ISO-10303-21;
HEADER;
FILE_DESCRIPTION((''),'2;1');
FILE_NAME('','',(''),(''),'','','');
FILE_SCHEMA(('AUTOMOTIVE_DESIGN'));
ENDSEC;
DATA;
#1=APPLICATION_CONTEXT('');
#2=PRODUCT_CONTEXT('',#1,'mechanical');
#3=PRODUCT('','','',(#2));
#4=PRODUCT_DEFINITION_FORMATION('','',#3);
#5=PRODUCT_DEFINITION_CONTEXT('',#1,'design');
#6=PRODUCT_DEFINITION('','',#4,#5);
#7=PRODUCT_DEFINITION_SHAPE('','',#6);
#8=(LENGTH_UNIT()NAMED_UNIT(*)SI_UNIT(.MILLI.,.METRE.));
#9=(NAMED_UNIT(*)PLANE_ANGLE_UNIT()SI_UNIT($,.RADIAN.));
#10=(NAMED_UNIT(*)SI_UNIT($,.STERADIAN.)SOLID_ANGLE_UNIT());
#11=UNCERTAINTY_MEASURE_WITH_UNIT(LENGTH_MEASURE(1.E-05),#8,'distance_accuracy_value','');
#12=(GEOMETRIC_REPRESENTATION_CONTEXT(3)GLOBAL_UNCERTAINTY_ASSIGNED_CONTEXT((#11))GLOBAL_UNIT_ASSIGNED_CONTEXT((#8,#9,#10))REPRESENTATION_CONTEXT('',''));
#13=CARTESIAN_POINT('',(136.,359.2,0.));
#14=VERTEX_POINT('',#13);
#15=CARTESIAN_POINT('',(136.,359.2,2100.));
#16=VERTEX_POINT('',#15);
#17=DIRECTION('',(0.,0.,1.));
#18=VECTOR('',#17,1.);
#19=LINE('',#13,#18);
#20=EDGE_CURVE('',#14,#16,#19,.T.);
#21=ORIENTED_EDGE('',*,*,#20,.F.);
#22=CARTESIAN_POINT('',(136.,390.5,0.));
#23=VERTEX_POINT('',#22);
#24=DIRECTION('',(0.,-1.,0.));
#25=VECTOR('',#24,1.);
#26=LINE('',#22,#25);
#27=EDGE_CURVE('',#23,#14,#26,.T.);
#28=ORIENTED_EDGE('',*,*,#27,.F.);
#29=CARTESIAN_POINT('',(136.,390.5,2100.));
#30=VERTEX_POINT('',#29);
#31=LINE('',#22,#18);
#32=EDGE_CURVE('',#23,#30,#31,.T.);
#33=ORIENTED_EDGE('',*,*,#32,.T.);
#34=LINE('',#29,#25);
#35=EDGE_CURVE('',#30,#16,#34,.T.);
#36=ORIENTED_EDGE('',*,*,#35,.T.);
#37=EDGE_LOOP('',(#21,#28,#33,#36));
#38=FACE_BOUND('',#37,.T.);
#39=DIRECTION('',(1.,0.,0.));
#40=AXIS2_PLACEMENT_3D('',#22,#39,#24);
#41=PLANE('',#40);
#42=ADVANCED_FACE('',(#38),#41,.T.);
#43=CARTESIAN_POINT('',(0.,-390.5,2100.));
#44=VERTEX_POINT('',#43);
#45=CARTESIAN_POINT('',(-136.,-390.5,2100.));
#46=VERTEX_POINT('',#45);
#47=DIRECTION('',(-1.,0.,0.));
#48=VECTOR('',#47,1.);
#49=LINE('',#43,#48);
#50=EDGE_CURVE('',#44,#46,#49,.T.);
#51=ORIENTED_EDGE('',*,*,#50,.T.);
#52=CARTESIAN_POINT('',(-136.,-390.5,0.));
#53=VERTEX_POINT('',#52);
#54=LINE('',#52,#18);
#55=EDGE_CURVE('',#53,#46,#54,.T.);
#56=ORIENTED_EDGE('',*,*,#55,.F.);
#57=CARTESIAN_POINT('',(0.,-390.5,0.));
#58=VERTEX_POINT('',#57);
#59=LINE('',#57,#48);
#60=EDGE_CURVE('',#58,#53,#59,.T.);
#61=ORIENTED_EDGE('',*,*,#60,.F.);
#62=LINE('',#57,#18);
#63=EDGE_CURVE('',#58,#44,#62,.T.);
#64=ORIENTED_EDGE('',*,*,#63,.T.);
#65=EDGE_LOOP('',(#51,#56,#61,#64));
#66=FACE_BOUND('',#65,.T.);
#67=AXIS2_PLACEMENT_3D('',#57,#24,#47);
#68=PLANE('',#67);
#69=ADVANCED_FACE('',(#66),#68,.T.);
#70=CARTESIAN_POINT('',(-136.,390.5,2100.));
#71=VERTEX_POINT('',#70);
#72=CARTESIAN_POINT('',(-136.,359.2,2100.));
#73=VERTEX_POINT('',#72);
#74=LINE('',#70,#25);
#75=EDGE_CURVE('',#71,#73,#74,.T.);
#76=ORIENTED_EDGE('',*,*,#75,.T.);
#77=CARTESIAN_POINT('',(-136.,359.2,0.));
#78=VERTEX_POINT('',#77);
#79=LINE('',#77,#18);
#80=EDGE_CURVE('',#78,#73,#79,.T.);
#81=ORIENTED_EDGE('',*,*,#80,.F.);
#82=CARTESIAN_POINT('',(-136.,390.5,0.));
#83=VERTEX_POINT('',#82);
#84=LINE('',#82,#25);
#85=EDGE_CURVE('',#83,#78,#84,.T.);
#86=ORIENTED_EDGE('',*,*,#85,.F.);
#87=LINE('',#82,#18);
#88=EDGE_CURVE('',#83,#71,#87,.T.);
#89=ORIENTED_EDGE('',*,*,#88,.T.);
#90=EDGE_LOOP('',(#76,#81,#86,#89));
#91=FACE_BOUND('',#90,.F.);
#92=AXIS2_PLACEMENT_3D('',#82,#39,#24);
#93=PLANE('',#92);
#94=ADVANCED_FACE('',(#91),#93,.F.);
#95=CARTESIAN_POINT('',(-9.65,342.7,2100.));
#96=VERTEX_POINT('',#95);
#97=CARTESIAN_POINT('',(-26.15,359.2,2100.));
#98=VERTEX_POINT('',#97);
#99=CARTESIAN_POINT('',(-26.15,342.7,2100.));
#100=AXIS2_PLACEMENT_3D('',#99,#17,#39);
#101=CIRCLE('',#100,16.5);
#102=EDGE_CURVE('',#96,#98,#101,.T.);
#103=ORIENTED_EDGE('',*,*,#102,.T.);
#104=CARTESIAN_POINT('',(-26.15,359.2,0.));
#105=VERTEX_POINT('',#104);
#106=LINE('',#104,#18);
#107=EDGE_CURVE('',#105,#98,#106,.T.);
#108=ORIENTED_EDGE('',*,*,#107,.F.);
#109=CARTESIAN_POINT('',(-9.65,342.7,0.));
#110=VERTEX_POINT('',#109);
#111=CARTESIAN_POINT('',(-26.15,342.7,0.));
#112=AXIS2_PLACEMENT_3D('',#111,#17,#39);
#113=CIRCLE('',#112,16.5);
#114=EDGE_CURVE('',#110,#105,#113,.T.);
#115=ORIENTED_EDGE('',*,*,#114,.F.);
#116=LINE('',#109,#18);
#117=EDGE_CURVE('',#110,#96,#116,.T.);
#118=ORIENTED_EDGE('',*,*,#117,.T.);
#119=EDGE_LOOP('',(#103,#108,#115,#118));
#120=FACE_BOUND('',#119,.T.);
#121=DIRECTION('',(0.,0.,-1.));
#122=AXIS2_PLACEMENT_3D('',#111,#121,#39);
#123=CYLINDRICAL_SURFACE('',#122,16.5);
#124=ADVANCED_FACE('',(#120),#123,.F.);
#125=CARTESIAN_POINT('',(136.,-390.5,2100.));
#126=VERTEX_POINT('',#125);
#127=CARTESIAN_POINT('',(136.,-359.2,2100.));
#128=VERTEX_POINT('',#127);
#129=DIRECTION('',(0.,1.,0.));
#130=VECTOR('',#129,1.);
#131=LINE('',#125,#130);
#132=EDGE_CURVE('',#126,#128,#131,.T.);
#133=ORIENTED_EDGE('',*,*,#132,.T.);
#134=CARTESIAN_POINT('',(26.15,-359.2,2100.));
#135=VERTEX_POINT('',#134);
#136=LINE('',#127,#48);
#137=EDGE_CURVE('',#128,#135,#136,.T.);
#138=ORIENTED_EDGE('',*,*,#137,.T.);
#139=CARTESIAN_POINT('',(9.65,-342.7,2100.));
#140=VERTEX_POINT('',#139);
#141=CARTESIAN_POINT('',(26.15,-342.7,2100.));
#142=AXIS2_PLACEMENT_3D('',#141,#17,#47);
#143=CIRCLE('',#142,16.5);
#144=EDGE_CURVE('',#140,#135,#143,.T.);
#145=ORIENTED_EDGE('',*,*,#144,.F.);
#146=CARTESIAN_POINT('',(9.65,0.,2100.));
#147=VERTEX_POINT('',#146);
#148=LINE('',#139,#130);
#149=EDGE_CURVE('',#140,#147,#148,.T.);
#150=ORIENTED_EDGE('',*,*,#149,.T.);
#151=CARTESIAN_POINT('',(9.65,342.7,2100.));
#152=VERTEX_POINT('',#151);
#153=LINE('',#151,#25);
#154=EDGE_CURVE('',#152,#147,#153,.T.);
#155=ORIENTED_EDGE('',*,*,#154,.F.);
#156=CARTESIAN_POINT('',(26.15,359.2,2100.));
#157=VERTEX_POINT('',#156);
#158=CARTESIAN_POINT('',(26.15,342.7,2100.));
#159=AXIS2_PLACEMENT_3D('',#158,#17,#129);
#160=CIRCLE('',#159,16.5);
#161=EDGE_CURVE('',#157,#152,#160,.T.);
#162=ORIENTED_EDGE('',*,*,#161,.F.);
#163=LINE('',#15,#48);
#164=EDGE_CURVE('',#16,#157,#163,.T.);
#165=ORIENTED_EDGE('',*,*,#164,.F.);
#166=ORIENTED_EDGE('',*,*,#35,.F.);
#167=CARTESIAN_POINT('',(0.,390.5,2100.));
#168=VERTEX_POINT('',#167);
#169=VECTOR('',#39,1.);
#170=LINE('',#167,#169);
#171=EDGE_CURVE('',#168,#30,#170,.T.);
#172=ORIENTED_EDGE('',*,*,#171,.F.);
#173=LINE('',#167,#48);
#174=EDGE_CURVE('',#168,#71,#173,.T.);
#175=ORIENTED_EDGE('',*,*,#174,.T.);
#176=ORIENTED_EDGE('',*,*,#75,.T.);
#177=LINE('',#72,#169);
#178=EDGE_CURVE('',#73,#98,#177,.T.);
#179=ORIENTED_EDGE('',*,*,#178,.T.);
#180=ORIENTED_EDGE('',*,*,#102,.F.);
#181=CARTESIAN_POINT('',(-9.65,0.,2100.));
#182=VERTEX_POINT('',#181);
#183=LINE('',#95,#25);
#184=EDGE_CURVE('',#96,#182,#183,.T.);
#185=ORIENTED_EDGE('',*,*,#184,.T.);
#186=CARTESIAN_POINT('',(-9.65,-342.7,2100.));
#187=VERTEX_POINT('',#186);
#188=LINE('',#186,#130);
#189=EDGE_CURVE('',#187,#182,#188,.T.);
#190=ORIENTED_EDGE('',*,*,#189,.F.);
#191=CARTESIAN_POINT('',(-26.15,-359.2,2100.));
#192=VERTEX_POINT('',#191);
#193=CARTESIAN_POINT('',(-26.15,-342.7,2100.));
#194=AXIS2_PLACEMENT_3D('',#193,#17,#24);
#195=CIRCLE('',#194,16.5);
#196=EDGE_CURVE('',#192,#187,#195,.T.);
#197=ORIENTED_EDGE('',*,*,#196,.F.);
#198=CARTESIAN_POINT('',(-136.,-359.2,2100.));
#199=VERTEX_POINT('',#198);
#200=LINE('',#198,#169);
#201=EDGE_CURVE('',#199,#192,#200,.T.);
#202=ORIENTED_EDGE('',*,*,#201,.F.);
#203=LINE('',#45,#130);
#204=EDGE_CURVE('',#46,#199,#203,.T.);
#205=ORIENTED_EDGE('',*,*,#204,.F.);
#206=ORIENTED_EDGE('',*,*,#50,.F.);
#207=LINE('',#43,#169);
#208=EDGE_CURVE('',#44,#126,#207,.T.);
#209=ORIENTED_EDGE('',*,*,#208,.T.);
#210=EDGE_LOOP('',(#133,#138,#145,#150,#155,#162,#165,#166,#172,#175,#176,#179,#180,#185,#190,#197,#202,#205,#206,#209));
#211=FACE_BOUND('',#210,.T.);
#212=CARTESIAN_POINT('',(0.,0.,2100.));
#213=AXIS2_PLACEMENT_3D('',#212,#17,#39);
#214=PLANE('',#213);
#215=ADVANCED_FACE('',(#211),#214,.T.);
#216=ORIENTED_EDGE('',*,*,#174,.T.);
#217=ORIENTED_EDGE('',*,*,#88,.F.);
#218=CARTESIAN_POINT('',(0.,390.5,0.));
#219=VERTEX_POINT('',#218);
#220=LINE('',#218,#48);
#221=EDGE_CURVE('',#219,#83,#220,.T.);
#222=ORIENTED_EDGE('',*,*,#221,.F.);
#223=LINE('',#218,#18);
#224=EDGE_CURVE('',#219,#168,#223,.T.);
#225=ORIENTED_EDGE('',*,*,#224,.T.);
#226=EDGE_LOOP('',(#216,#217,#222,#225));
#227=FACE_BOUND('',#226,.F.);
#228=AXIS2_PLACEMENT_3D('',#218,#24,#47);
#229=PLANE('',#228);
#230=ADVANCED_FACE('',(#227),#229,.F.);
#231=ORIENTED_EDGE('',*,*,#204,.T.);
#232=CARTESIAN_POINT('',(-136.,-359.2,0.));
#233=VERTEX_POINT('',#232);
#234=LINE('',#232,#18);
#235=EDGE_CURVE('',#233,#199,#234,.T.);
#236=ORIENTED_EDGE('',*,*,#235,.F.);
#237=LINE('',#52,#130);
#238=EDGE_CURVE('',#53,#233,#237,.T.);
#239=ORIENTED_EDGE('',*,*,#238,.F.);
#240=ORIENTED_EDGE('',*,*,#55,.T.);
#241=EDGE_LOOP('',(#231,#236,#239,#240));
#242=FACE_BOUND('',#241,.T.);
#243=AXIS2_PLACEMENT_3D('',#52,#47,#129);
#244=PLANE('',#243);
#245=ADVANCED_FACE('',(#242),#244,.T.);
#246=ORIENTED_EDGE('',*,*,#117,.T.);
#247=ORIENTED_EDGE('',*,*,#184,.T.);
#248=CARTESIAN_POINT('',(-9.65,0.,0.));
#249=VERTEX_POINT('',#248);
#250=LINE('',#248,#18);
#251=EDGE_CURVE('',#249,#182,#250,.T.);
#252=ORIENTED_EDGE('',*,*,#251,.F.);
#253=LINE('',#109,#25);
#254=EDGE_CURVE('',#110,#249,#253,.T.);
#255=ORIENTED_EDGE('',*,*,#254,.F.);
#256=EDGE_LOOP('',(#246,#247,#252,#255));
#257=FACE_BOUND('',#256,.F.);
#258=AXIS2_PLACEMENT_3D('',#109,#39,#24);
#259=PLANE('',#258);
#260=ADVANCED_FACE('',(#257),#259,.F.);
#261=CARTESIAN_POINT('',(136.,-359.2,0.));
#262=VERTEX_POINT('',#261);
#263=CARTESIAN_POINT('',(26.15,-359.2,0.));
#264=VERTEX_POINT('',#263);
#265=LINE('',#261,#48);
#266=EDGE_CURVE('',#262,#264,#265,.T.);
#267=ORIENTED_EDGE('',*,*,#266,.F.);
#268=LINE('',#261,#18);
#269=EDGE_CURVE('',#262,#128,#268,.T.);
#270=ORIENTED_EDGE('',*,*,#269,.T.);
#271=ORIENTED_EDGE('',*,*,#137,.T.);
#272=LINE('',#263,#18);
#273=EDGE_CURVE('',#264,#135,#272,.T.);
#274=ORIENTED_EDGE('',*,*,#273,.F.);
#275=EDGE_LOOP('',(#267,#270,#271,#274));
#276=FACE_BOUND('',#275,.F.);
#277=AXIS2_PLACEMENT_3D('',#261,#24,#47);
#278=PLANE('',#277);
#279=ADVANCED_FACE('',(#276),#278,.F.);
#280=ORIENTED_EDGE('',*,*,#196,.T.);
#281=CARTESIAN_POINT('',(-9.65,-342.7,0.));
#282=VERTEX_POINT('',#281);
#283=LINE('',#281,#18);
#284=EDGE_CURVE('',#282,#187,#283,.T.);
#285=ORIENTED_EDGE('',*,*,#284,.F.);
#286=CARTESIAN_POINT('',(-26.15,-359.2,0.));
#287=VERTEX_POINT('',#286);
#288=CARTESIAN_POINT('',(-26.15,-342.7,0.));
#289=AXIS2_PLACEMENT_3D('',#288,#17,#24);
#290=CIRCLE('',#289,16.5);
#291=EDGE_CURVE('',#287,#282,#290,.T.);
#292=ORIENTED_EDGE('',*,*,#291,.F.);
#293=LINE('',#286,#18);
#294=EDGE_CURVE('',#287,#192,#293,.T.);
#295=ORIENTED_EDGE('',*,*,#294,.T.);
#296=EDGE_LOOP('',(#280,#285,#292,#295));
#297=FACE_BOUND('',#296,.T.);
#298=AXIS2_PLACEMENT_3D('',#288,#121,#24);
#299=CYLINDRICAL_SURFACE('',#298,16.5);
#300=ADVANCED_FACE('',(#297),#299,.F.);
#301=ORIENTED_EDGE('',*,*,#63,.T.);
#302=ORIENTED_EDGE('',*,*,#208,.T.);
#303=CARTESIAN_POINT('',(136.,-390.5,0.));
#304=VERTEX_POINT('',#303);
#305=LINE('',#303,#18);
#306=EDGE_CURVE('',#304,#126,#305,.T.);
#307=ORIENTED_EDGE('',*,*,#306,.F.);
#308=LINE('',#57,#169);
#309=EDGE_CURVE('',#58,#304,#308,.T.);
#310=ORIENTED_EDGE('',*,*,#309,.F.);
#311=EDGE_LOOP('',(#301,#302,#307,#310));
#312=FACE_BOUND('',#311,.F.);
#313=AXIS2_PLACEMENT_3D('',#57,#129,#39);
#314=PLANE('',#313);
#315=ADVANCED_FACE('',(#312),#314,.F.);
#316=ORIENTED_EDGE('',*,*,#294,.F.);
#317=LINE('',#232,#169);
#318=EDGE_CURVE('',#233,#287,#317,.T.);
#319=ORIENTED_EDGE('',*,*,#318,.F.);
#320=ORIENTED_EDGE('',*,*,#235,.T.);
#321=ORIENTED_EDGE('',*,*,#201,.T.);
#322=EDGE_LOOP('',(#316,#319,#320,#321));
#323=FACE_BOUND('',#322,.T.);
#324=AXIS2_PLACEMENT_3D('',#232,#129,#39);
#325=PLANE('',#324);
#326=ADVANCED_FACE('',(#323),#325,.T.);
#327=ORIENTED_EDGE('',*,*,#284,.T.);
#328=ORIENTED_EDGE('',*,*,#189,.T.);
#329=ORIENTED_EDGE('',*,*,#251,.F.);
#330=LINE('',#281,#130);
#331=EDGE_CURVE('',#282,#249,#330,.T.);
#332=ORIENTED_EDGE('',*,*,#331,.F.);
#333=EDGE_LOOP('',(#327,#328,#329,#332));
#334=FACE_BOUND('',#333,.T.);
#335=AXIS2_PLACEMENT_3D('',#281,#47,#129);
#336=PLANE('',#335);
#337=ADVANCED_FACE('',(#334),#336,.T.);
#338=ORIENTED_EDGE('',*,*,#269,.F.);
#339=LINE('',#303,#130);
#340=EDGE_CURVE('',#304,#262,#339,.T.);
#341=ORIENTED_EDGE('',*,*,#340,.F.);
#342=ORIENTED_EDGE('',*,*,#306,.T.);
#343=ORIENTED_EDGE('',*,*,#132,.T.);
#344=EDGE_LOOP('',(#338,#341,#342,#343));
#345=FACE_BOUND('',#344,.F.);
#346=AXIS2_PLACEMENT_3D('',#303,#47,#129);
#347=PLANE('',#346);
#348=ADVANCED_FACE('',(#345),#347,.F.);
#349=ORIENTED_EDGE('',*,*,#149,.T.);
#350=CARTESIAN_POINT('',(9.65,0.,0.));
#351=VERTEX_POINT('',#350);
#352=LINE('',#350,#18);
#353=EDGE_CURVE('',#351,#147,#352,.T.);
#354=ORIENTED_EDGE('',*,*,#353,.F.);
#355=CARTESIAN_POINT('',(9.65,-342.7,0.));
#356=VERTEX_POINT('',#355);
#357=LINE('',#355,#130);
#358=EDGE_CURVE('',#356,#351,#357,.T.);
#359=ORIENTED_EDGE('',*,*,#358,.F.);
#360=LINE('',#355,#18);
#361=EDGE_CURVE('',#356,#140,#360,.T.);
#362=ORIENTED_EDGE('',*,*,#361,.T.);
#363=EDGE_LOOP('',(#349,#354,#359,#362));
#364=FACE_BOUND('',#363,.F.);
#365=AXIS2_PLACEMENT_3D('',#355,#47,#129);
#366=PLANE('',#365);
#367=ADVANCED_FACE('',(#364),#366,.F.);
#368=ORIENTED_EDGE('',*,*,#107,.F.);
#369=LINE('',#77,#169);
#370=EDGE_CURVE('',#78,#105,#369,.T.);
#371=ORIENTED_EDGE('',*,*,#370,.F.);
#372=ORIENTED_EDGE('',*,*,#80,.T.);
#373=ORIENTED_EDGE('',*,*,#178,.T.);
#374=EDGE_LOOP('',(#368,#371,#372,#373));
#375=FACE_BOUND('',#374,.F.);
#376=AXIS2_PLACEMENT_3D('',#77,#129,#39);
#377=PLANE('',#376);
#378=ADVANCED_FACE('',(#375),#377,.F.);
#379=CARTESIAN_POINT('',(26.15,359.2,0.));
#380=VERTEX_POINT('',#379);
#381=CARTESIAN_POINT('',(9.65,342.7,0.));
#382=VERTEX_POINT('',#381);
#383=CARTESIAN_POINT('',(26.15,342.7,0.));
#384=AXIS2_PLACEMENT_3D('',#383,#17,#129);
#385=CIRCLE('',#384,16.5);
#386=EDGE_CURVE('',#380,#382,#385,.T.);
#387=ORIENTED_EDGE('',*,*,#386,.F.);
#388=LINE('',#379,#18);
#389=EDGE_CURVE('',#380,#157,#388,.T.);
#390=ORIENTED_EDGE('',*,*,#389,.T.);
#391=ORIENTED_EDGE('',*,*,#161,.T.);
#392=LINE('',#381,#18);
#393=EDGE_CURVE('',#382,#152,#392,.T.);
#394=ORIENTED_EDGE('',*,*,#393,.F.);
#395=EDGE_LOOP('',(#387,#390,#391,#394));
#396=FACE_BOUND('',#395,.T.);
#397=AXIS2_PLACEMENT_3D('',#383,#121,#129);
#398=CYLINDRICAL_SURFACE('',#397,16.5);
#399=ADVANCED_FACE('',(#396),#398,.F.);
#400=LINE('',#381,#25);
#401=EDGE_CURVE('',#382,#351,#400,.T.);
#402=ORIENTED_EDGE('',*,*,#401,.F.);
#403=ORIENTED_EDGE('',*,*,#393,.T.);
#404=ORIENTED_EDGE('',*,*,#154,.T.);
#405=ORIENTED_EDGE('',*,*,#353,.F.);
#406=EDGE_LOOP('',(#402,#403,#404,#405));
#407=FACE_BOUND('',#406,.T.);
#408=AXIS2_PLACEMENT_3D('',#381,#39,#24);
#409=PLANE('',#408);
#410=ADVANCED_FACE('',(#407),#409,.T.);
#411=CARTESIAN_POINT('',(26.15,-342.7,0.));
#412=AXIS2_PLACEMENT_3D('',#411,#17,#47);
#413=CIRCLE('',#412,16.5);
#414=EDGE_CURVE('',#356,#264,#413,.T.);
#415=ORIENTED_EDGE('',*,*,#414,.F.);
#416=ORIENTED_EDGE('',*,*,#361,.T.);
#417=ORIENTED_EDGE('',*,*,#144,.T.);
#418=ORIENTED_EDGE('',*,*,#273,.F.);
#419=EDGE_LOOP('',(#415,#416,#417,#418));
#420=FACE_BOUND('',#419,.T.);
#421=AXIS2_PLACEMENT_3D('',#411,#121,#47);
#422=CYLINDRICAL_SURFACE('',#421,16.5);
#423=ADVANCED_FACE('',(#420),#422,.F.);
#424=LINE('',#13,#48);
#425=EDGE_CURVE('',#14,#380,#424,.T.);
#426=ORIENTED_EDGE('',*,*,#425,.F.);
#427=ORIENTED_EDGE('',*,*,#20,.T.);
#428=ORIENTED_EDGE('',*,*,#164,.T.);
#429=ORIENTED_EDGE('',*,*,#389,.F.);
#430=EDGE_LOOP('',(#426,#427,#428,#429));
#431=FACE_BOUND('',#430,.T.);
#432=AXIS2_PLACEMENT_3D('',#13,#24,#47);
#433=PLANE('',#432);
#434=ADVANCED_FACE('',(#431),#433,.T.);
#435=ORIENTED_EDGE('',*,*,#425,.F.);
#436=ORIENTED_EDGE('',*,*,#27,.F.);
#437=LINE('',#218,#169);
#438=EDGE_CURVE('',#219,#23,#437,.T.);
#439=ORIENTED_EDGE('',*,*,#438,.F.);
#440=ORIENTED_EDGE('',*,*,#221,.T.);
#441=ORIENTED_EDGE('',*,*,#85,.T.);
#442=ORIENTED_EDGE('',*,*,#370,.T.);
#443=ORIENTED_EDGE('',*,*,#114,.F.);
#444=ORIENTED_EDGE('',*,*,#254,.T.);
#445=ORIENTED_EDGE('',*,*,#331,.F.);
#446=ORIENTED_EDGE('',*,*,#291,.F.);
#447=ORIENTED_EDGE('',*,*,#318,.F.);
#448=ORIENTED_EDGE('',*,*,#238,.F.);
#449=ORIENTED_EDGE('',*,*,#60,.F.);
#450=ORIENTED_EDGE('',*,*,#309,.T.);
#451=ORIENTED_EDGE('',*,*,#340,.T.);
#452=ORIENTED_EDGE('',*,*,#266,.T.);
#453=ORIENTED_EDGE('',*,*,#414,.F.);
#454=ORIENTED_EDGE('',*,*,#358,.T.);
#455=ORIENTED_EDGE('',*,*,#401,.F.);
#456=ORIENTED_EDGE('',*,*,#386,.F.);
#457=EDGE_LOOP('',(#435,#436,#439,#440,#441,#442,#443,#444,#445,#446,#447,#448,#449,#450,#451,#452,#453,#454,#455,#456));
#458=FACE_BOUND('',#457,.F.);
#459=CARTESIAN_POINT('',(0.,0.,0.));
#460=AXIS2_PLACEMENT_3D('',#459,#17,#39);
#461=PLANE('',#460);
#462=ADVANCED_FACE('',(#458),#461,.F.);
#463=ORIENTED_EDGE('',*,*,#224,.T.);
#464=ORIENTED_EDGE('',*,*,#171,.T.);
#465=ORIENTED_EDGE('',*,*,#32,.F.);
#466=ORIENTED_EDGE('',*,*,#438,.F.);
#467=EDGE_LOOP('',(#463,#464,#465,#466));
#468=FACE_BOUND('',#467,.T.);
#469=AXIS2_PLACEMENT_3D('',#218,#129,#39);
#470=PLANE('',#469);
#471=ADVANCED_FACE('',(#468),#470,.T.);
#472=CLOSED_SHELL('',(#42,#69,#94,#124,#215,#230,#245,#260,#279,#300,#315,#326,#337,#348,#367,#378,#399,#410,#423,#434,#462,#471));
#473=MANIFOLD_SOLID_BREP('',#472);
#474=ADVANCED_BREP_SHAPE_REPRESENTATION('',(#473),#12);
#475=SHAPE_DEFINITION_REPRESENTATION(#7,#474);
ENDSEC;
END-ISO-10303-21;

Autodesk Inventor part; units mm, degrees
ref_plane "YZ Plane" through (0, 0, 0) normal (1, 0, 0) x (0, 1, 0)
ref_plane "Start plane" through (0, 0, 0) normal (0, 0, 1) x (1, 0, 0)
ref_plane "End plane" through (0, 0, 2100) normal (0, 0, 1) x (1, 0, 0)
sketch "Sketch" plane through (0, 0, 0) normal (0, 0, 1) x (1, 0, 0)
  line L0 (-136, -390.5) -> (-136, -359.2)
  line L1 (-136, -359.2) -> (-26.15, -359.2)
  line L2 (-9.65, -342.7) -> (-9.65, 0)
  line L3 (-9.65, 0) -> (0, 0) construction
  line L4 (0, 0) -> (0, -390.5) construction
  line L5 (0, -390.5) -> (-136, -390.5)
  line L6 (-60, 0) -> (80, 0) construction
  line L7 (0, -60) -> (0, 80) construction
  line L8 (136, -390.5) -> (136, -359.2)
  line L9 (136, -359.2) -> (26.15, -359.2)
  line L10 (9.65, -342.7) -> (9.65, 0)
  line L11 (9.65, 0) -> (0, 0) construction
  line L12 (0, -390.5) -> (136, -390.5)
  line L13 (-136, 390.5) -> (-136, 359.2)
  line L14 (-136, 359.2) -> (-26.15, 359.2)
  line L15 (-9.65, 342.7) -> (-9.65, 0)
  line L16 (0, 390.5) -> (-136, 390.5)
  line L17 (136, 390.5) -> (136, 359.2)
  line L18 (136, 359.2) -> (26.15, 359.2)
  line L19 (0, 390.5) -> (136, 390.5)
  line L20 (9.65, 342.7) -> (9.65, 0)
  arc A0 (-9.65, 342.7) -> (-26.15, 359.2) centre (-26.15, 342.7) ccw
  arc A1 (26.15, 359.2) -> (9.65, 342.7) centre (26.15, 342.7) ccw
  arc A2 (9.65, -342.7) -> (26.15, -359.2) centre (26.15, -342.7) ccw
  arc A3 (-26.15, -359.2) -> (-9.65, -342.7) centre (-26.15, -342.7) ccw
  line L21 (0, 108) -> (0, -88) construction
  line L22 (-88, 0) -> (108, 0) construction
  point P0 (-9.65, -359.2)
  point P1 (9.65, -359.2)
  point P2 (-9.65, 359.2)
  point P3 (9.65, 359.2)
  dimension "d1" = 390.5
  dimension "d2" = 31.3
  dimension "d3" = 136
  dimension "d4" = 9.65
  dimension "d10" = 16.5
extrude "Body" add sketch "Sketch" along normal up to surface (2100 mm away) from surface at 0
sketch "Sketch4" plane through (0, 0, 0) normal (0, 0, 1) x (1, 0, 0)
  line L0 (0, 0) -> (10, 0)
ref_plane "Work Plane3" through (0, 0, 0) normal (0, -1, 0) x (1, 0, 0)
sketch "Sketch5" plane through (0, 0, 0) normal (0, -1, 0) x (1, 0, 0)
  line L0 (-2, 0) -> (12, 0) projected
  line L1 (-2, 2100) -> (12, 2100) projected
  dimension "d14" = 2100
equation "\"d1\" = 0.5 * G_H"
equation "\"d2\" = G_T1"
equation "\"d3\" = 0.5 * G_W"
equation "\"d4\" = 0.5 * G_T"
equation "\"d10\" = G_IR"
equation "\"d5\" = G_L"
equation "\"G_W\" = 272"
equation "\"G_H\" = 781"
equation "\"G_T\" = 19.3"
equation "\"G_T1\" = 31.3"
equation "\"G_IR\" = 16.5"
equation "\"G_L\" = d14"
equation "\"G_OFFSET_START\" = 0"
equation "\"G_OFFSET_END\" = 0"
properties part number "AS 3679-1990 - 760 UB - 244 - 2100" material "Steel, Mild"
